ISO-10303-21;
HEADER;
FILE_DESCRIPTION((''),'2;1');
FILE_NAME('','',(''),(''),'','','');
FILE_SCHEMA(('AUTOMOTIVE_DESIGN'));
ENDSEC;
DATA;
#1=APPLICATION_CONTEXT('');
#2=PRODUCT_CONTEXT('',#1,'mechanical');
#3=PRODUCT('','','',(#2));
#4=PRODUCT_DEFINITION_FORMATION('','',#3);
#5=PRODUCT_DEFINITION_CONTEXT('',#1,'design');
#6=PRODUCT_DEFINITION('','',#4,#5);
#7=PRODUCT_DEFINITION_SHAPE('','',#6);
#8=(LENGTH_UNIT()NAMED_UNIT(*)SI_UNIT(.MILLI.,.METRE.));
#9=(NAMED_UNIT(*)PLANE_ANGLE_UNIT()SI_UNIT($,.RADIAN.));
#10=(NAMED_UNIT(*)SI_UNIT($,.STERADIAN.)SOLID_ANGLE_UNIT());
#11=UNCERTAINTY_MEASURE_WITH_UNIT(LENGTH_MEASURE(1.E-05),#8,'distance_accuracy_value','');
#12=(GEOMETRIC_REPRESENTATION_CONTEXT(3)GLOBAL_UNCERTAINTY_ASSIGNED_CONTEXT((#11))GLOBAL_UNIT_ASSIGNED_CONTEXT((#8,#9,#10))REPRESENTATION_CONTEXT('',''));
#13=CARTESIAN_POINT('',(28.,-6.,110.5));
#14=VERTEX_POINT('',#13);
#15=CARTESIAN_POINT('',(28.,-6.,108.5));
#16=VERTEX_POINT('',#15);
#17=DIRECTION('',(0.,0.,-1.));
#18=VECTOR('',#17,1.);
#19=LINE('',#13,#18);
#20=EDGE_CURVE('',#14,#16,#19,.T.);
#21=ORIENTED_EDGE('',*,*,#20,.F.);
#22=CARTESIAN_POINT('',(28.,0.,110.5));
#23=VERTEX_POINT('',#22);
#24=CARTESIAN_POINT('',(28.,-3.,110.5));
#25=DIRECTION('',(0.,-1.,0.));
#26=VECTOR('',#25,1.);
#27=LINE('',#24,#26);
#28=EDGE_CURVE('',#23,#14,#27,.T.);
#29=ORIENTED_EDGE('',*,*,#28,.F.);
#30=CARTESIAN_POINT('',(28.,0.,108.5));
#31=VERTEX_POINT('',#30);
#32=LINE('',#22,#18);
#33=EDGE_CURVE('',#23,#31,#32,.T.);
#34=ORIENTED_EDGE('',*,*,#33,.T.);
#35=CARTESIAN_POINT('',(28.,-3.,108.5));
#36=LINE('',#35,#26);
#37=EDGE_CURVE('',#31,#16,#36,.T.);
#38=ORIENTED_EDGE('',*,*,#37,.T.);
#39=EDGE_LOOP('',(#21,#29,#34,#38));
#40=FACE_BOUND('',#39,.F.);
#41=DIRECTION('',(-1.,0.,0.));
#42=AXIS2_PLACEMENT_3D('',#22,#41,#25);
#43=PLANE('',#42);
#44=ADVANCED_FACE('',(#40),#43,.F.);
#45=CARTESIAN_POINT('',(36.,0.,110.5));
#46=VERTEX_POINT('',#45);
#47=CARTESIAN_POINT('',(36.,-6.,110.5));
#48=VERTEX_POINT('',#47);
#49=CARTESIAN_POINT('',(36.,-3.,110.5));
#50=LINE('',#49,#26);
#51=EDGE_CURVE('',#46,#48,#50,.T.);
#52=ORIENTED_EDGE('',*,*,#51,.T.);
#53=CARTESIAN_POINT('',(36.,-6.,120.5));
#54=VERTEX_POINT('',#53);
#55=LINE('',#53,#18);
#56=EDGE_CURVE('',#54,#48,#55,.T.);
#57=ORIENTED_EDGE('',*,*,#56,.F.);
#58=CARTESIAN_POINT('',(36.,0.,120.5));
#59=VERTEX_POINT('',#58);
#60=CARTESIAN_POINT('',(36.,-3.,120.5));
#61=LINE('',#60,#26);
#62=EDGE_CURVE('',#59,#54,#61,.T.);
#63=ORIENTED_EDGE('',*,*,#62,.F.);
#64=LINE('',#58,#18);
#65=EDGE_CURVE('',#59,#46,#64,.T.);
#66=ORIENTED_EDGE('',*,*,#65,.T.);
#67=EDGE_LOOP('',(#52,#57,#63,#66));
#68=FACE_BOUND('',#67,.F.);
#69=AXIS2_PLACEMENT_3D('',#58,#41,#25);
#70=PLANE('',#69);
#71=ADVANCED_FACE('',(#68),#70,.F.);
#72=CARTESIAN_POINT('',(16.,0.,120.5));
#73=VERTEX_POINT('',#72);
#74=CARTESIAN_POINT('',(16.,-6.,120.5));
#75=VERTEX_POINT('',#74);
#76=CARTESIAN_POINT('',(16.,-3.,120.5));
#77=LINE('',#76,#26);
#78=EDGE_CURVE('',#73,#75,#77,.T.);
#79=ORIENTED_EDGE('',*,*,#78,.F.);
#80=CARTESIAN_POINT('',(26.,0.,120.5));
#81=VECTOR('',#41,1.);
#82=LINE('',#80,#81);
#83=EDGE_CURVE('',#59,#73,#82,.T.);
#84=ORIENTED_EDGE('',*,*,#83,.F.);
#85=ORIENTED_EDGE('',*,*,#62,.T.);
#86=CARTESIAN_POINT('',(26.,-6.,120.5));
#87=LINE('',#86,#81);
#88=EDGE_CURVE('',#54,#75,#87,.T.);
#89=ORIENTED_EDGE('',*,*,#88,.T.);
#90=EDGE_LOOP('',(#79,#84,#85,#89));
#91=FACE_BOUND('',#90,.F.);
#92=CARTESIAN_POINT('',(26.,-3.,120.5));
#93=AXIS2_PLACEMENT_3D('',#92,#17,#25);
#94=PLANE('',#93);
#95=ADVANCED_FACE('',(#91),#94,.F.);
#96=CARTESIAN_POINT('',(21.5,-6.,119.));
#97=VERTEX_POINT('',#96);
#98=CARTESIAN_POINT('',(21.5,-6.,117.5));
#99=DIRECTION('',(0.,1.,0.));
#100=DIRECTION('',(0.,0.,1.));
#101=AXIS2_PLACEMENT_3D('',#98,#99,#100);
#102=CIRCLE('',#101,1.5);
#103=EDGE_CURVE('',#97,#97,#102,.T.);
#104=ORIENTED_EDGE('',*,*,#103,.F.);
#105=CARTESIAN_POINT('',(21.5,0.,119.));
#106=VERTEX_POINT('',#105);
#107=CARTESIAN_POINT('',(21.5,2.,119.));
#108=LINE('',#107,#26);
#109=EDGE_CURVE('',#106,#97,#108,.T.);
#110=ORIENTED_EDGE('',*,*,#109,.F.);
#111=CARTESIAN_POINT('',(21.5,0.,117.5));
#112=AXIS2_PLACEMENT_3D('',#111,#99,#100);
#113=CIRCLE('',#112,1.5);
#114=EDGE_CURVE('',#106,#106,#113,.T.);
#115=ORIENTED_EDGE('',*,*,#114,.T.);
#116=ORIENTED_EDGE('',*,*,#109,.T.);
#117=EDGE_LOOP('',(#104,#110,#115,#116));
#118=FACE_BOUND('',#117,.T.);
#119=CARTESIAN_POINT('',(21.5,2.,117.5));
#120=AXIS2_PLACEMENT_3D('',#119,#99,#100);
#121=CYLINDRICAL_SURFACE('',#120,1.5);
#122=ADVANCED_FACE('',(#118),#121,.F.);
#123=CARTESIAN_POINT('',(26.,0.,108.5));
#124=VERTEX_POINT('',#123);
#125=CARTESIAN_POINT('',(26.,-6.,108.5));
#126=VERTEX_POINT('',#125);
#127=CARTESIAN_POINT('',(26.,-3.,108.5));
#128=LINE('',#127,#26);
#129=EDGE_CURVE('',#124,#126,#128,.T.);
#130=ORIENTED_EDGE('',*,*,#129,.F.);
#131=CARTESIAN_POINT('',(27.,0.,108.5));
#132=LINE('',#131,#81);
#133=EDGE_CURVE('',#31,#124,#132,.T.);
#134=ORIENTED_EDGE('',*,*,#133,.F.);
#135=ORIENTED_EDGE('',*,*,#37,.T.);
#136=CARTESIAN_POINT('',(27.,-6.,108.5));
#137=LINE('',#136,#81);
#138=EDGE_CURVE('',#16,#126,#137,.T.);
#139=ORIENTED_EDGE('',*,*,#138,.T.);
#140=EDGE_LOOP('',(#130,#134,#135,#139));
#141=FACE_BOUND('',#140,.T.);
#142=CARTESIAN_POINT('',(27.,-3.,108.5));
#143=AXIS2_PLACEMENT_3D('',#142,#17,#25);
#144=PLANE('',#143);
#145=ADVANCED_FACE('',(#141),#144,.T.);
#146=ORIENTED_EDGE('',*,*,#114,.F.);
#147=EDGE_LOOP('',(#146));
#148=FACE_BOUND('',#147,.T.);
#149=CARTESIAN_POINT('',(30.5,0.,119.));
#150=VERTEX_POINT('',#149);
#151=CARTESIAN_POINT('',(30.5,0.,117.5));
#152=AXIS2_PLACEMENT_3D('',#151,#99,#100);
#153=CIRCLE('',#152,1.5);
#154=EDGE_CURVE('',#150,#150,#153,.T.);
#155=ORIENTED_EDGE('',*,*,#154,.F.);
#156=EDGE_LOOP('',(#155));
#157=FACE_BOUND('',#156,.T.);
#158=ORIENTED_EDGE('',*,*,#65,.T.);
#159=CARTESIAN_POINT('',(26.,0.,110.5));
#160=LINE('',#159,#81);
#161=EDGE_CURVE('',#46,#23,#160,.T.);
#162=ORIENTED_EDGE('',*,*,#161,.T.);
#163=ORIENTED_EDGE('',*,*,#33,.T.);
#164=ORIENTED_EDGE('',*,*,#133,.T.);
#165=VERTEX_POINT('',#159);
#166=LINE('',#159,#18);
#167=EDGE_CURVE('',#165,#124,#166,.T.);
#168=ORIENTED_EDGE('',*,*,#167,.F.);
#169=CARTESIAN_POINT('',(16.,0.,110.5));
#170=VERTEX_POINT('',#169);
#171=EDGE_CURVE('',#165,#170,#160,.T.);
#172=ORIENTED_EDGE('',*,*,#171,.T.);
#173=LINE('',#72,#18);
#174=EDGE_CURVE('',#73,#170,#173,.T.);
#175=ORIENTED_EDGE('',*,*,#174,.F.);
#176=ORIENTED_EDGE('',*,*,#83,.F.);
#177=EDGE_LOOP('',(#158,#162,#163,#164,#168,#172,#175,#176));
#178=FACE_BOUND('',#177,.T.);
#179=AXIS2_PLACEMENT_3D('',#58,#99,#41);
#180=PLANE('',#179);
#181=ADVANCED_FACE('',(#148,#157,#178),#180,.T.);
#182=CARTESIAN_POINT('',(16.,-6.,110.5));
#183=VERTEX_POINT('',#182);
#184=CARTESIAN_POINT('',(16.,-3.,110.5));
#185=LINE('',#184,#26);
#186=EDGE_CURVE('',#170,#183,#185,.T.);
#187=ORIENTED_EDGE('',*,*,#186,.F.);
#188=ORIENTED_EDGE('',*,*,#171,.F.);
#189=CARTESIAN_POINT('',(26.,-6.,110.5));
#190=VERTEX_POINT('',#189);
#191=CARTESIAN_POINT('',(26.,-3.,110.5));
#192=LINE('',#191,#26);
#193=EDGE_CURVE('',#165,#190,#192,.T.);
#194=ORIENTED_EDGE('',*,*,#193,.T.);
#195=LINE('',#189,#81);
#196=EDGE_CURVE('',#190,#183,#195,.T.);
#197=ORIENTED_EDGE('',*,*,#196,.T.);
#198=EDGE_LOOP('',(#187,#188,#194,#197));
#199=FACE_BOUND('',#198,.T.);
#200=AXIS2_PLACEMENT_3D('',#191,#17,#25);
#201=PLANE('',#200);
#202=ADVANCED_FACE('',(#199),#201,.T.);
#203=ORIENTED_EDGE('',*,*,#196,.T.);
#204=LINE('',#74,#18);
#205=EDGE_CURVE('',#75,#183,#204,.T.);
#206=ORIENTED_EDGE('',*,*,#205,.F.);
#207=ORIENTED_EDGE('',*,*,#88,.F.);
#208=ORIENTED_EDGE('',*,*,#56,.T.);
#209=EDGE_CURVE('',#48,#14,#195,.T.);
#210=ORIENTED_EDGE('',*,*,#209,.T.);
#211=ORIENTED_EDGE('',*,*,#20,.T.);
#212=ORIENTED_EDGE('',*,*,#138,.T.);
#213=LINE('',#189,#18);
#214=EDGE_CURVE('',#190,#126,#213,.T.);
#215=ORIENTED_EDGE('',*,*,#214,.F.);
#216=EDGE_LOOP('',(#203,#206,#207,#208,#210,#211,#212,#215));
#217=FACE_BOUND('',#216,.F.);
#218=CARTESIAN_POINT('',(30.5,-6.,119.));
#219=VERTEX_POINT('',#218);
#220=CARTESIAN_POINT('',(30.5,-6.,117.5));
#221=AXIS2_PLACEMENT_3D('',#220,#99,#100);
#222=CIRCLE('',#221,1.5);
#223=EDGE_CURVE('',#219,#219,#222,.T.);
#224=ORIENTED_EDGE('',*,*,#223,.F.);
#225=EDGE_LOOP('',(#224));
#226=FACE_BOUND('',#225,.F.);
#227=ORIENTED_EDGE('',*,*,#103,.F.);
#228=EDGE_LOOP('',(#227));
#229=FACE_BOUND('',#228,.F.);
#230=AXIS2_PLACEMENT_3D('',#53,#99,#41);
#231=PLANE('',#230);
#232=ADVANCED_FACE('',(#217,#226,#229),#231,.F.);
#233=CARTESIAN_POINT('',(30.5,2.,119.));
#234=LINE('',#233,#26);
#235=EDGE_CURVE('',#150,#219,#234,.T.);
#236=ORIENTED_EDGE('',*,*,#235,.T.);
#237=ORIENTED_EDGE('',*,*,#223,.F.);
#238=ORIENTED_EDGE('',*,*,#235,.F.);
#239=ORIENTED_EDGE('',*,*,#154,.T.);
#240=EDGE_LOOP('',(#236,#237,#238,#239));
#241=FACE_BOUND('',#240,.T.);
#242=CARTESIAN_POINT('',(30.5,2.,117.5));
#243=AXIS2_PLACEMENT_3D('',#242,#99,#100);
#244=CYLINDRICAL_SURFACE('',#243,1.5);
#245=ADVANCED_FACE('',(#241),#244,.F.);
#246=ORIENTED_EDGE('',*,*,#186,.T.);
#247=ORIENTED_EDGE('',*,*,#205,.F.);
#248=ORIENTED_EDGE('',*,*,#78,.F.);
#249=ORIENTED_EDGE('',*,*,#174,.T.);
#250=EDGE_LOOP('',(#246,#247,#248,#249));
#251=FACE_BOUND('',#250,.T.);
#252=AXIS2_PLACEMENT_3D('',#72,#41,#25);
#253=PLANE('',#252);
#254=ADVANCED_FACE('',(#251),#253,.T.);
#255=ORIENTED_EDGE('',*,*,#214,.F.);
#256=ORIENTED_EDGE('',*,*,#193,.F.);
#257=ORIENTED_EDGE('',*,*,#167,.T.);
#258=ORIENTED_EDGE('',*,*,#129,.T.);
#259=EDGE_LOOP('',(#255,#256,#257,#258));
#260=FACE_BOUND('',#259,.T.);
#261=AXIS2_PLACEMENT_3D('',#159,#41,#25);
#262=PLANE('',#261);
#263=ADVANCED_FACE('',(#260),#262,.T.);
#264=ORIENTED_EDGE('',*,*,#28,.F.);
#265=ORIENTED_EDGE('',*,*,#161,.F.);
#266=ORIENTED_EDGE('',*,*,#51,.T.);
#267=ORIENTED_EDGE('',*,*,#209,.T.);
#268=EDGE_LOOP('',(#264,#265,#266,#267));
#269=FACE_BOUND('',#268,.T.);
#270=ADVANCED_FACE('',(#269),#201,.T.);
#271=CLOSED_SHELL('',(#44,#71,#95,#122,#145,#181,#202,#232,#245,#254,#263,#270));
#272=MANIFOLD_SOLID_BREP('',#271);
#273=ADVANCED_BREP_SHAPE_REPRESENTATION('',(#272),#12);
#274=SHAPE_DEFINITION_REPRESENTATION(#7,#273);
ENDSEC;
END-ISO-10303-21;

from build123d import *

# Parameters (mm, degrees)
CYLINDER036_R           = 1.5
CYLINDER036_DEPTH       = 10
ARRAY001016_Y_COUNT     = 2
ARRAY001016_Y_PITCH     = 9
BOX016_W                = 6
BOX016_H                = 20
BOX016_DEPTH            = 10
BOX017_W                = 6
BOX017_H                = 2
BOX017_DEPTH            = 2
BODY003_ROLL_ANGLE      = 180
BODY003_PLACEMENT_ANGLE = -90


with BuildPart() as end_stop_hole_array:
    # Cylinder036 → Cylinder036 (new body)
    with BuildSketch(Plane(origin=(-2, 5.5, 3), x_dir=(0, 0, -1), z_dir=(1, 0, 0))):
        Circle(CYLINDER036_R)
    extrude(amount=CYLINDER036_DEPTH)

    # Array001016 Y: end stop hole array ×2


with BuildPart() as end_stop_hole_array_1:
    add(end_stop_hole_array.part)
    with Locations(*[(0, i * ARRAY001016_Y_PITCH, 0) for i in range(1, ARRAY001016_Y_COUNT)]):
        add(end_stop_hole_array.part)


with BuildPart() as end_stop_body_cube:
    # Box016 → Box016 (new body)
    with BuildSketch(Plane.XY):
        with Locations((3, 10)):
            Rectangle(BOX016_W, BOX016_H)
    extrude(amount=BOX016_DEPTH)


with BuildPart() as top_end_stop_clone:
    # Box017 → Box017 (new body)
    with BuildSketch(Plane(origin=(0, 8, 10), x_dir=(1, 0, 0), z_dir=(0, 0, 1))):
        with Locations((3, 1)):
            Rectangle(BOX017_W, BOX017_H)
    extrude(amount=BOX017_DEPTH)

    # Fusion014: union end stop body cube
    add(end_stop_body_cube.part)

    # Cut013: cut end stop hole array
    add(end_stop_hole_array_1.part, mode=Mode.SUBTRACT)


with BuildPart() as top_end_stop_clone_1:
    # Body003 roll: moved
    add(top_end_stop_clone.part.rotate(Axis((0, 0, 0), (1, 0, 0)), BODY003_ROLL_ANGLE))


with BuildPart() as top_end_stop_clone_2:
    # Body003 placement: moved
    add(top_end_stop_clone_1.part.moved(Location((36, 0, 120.5))).rotate(Axis((36, 0, 120.5), (0, 0, 1)), BODY003_PLACEMENT_ANGLE))


solid = top_end_stop_clone_2.part
